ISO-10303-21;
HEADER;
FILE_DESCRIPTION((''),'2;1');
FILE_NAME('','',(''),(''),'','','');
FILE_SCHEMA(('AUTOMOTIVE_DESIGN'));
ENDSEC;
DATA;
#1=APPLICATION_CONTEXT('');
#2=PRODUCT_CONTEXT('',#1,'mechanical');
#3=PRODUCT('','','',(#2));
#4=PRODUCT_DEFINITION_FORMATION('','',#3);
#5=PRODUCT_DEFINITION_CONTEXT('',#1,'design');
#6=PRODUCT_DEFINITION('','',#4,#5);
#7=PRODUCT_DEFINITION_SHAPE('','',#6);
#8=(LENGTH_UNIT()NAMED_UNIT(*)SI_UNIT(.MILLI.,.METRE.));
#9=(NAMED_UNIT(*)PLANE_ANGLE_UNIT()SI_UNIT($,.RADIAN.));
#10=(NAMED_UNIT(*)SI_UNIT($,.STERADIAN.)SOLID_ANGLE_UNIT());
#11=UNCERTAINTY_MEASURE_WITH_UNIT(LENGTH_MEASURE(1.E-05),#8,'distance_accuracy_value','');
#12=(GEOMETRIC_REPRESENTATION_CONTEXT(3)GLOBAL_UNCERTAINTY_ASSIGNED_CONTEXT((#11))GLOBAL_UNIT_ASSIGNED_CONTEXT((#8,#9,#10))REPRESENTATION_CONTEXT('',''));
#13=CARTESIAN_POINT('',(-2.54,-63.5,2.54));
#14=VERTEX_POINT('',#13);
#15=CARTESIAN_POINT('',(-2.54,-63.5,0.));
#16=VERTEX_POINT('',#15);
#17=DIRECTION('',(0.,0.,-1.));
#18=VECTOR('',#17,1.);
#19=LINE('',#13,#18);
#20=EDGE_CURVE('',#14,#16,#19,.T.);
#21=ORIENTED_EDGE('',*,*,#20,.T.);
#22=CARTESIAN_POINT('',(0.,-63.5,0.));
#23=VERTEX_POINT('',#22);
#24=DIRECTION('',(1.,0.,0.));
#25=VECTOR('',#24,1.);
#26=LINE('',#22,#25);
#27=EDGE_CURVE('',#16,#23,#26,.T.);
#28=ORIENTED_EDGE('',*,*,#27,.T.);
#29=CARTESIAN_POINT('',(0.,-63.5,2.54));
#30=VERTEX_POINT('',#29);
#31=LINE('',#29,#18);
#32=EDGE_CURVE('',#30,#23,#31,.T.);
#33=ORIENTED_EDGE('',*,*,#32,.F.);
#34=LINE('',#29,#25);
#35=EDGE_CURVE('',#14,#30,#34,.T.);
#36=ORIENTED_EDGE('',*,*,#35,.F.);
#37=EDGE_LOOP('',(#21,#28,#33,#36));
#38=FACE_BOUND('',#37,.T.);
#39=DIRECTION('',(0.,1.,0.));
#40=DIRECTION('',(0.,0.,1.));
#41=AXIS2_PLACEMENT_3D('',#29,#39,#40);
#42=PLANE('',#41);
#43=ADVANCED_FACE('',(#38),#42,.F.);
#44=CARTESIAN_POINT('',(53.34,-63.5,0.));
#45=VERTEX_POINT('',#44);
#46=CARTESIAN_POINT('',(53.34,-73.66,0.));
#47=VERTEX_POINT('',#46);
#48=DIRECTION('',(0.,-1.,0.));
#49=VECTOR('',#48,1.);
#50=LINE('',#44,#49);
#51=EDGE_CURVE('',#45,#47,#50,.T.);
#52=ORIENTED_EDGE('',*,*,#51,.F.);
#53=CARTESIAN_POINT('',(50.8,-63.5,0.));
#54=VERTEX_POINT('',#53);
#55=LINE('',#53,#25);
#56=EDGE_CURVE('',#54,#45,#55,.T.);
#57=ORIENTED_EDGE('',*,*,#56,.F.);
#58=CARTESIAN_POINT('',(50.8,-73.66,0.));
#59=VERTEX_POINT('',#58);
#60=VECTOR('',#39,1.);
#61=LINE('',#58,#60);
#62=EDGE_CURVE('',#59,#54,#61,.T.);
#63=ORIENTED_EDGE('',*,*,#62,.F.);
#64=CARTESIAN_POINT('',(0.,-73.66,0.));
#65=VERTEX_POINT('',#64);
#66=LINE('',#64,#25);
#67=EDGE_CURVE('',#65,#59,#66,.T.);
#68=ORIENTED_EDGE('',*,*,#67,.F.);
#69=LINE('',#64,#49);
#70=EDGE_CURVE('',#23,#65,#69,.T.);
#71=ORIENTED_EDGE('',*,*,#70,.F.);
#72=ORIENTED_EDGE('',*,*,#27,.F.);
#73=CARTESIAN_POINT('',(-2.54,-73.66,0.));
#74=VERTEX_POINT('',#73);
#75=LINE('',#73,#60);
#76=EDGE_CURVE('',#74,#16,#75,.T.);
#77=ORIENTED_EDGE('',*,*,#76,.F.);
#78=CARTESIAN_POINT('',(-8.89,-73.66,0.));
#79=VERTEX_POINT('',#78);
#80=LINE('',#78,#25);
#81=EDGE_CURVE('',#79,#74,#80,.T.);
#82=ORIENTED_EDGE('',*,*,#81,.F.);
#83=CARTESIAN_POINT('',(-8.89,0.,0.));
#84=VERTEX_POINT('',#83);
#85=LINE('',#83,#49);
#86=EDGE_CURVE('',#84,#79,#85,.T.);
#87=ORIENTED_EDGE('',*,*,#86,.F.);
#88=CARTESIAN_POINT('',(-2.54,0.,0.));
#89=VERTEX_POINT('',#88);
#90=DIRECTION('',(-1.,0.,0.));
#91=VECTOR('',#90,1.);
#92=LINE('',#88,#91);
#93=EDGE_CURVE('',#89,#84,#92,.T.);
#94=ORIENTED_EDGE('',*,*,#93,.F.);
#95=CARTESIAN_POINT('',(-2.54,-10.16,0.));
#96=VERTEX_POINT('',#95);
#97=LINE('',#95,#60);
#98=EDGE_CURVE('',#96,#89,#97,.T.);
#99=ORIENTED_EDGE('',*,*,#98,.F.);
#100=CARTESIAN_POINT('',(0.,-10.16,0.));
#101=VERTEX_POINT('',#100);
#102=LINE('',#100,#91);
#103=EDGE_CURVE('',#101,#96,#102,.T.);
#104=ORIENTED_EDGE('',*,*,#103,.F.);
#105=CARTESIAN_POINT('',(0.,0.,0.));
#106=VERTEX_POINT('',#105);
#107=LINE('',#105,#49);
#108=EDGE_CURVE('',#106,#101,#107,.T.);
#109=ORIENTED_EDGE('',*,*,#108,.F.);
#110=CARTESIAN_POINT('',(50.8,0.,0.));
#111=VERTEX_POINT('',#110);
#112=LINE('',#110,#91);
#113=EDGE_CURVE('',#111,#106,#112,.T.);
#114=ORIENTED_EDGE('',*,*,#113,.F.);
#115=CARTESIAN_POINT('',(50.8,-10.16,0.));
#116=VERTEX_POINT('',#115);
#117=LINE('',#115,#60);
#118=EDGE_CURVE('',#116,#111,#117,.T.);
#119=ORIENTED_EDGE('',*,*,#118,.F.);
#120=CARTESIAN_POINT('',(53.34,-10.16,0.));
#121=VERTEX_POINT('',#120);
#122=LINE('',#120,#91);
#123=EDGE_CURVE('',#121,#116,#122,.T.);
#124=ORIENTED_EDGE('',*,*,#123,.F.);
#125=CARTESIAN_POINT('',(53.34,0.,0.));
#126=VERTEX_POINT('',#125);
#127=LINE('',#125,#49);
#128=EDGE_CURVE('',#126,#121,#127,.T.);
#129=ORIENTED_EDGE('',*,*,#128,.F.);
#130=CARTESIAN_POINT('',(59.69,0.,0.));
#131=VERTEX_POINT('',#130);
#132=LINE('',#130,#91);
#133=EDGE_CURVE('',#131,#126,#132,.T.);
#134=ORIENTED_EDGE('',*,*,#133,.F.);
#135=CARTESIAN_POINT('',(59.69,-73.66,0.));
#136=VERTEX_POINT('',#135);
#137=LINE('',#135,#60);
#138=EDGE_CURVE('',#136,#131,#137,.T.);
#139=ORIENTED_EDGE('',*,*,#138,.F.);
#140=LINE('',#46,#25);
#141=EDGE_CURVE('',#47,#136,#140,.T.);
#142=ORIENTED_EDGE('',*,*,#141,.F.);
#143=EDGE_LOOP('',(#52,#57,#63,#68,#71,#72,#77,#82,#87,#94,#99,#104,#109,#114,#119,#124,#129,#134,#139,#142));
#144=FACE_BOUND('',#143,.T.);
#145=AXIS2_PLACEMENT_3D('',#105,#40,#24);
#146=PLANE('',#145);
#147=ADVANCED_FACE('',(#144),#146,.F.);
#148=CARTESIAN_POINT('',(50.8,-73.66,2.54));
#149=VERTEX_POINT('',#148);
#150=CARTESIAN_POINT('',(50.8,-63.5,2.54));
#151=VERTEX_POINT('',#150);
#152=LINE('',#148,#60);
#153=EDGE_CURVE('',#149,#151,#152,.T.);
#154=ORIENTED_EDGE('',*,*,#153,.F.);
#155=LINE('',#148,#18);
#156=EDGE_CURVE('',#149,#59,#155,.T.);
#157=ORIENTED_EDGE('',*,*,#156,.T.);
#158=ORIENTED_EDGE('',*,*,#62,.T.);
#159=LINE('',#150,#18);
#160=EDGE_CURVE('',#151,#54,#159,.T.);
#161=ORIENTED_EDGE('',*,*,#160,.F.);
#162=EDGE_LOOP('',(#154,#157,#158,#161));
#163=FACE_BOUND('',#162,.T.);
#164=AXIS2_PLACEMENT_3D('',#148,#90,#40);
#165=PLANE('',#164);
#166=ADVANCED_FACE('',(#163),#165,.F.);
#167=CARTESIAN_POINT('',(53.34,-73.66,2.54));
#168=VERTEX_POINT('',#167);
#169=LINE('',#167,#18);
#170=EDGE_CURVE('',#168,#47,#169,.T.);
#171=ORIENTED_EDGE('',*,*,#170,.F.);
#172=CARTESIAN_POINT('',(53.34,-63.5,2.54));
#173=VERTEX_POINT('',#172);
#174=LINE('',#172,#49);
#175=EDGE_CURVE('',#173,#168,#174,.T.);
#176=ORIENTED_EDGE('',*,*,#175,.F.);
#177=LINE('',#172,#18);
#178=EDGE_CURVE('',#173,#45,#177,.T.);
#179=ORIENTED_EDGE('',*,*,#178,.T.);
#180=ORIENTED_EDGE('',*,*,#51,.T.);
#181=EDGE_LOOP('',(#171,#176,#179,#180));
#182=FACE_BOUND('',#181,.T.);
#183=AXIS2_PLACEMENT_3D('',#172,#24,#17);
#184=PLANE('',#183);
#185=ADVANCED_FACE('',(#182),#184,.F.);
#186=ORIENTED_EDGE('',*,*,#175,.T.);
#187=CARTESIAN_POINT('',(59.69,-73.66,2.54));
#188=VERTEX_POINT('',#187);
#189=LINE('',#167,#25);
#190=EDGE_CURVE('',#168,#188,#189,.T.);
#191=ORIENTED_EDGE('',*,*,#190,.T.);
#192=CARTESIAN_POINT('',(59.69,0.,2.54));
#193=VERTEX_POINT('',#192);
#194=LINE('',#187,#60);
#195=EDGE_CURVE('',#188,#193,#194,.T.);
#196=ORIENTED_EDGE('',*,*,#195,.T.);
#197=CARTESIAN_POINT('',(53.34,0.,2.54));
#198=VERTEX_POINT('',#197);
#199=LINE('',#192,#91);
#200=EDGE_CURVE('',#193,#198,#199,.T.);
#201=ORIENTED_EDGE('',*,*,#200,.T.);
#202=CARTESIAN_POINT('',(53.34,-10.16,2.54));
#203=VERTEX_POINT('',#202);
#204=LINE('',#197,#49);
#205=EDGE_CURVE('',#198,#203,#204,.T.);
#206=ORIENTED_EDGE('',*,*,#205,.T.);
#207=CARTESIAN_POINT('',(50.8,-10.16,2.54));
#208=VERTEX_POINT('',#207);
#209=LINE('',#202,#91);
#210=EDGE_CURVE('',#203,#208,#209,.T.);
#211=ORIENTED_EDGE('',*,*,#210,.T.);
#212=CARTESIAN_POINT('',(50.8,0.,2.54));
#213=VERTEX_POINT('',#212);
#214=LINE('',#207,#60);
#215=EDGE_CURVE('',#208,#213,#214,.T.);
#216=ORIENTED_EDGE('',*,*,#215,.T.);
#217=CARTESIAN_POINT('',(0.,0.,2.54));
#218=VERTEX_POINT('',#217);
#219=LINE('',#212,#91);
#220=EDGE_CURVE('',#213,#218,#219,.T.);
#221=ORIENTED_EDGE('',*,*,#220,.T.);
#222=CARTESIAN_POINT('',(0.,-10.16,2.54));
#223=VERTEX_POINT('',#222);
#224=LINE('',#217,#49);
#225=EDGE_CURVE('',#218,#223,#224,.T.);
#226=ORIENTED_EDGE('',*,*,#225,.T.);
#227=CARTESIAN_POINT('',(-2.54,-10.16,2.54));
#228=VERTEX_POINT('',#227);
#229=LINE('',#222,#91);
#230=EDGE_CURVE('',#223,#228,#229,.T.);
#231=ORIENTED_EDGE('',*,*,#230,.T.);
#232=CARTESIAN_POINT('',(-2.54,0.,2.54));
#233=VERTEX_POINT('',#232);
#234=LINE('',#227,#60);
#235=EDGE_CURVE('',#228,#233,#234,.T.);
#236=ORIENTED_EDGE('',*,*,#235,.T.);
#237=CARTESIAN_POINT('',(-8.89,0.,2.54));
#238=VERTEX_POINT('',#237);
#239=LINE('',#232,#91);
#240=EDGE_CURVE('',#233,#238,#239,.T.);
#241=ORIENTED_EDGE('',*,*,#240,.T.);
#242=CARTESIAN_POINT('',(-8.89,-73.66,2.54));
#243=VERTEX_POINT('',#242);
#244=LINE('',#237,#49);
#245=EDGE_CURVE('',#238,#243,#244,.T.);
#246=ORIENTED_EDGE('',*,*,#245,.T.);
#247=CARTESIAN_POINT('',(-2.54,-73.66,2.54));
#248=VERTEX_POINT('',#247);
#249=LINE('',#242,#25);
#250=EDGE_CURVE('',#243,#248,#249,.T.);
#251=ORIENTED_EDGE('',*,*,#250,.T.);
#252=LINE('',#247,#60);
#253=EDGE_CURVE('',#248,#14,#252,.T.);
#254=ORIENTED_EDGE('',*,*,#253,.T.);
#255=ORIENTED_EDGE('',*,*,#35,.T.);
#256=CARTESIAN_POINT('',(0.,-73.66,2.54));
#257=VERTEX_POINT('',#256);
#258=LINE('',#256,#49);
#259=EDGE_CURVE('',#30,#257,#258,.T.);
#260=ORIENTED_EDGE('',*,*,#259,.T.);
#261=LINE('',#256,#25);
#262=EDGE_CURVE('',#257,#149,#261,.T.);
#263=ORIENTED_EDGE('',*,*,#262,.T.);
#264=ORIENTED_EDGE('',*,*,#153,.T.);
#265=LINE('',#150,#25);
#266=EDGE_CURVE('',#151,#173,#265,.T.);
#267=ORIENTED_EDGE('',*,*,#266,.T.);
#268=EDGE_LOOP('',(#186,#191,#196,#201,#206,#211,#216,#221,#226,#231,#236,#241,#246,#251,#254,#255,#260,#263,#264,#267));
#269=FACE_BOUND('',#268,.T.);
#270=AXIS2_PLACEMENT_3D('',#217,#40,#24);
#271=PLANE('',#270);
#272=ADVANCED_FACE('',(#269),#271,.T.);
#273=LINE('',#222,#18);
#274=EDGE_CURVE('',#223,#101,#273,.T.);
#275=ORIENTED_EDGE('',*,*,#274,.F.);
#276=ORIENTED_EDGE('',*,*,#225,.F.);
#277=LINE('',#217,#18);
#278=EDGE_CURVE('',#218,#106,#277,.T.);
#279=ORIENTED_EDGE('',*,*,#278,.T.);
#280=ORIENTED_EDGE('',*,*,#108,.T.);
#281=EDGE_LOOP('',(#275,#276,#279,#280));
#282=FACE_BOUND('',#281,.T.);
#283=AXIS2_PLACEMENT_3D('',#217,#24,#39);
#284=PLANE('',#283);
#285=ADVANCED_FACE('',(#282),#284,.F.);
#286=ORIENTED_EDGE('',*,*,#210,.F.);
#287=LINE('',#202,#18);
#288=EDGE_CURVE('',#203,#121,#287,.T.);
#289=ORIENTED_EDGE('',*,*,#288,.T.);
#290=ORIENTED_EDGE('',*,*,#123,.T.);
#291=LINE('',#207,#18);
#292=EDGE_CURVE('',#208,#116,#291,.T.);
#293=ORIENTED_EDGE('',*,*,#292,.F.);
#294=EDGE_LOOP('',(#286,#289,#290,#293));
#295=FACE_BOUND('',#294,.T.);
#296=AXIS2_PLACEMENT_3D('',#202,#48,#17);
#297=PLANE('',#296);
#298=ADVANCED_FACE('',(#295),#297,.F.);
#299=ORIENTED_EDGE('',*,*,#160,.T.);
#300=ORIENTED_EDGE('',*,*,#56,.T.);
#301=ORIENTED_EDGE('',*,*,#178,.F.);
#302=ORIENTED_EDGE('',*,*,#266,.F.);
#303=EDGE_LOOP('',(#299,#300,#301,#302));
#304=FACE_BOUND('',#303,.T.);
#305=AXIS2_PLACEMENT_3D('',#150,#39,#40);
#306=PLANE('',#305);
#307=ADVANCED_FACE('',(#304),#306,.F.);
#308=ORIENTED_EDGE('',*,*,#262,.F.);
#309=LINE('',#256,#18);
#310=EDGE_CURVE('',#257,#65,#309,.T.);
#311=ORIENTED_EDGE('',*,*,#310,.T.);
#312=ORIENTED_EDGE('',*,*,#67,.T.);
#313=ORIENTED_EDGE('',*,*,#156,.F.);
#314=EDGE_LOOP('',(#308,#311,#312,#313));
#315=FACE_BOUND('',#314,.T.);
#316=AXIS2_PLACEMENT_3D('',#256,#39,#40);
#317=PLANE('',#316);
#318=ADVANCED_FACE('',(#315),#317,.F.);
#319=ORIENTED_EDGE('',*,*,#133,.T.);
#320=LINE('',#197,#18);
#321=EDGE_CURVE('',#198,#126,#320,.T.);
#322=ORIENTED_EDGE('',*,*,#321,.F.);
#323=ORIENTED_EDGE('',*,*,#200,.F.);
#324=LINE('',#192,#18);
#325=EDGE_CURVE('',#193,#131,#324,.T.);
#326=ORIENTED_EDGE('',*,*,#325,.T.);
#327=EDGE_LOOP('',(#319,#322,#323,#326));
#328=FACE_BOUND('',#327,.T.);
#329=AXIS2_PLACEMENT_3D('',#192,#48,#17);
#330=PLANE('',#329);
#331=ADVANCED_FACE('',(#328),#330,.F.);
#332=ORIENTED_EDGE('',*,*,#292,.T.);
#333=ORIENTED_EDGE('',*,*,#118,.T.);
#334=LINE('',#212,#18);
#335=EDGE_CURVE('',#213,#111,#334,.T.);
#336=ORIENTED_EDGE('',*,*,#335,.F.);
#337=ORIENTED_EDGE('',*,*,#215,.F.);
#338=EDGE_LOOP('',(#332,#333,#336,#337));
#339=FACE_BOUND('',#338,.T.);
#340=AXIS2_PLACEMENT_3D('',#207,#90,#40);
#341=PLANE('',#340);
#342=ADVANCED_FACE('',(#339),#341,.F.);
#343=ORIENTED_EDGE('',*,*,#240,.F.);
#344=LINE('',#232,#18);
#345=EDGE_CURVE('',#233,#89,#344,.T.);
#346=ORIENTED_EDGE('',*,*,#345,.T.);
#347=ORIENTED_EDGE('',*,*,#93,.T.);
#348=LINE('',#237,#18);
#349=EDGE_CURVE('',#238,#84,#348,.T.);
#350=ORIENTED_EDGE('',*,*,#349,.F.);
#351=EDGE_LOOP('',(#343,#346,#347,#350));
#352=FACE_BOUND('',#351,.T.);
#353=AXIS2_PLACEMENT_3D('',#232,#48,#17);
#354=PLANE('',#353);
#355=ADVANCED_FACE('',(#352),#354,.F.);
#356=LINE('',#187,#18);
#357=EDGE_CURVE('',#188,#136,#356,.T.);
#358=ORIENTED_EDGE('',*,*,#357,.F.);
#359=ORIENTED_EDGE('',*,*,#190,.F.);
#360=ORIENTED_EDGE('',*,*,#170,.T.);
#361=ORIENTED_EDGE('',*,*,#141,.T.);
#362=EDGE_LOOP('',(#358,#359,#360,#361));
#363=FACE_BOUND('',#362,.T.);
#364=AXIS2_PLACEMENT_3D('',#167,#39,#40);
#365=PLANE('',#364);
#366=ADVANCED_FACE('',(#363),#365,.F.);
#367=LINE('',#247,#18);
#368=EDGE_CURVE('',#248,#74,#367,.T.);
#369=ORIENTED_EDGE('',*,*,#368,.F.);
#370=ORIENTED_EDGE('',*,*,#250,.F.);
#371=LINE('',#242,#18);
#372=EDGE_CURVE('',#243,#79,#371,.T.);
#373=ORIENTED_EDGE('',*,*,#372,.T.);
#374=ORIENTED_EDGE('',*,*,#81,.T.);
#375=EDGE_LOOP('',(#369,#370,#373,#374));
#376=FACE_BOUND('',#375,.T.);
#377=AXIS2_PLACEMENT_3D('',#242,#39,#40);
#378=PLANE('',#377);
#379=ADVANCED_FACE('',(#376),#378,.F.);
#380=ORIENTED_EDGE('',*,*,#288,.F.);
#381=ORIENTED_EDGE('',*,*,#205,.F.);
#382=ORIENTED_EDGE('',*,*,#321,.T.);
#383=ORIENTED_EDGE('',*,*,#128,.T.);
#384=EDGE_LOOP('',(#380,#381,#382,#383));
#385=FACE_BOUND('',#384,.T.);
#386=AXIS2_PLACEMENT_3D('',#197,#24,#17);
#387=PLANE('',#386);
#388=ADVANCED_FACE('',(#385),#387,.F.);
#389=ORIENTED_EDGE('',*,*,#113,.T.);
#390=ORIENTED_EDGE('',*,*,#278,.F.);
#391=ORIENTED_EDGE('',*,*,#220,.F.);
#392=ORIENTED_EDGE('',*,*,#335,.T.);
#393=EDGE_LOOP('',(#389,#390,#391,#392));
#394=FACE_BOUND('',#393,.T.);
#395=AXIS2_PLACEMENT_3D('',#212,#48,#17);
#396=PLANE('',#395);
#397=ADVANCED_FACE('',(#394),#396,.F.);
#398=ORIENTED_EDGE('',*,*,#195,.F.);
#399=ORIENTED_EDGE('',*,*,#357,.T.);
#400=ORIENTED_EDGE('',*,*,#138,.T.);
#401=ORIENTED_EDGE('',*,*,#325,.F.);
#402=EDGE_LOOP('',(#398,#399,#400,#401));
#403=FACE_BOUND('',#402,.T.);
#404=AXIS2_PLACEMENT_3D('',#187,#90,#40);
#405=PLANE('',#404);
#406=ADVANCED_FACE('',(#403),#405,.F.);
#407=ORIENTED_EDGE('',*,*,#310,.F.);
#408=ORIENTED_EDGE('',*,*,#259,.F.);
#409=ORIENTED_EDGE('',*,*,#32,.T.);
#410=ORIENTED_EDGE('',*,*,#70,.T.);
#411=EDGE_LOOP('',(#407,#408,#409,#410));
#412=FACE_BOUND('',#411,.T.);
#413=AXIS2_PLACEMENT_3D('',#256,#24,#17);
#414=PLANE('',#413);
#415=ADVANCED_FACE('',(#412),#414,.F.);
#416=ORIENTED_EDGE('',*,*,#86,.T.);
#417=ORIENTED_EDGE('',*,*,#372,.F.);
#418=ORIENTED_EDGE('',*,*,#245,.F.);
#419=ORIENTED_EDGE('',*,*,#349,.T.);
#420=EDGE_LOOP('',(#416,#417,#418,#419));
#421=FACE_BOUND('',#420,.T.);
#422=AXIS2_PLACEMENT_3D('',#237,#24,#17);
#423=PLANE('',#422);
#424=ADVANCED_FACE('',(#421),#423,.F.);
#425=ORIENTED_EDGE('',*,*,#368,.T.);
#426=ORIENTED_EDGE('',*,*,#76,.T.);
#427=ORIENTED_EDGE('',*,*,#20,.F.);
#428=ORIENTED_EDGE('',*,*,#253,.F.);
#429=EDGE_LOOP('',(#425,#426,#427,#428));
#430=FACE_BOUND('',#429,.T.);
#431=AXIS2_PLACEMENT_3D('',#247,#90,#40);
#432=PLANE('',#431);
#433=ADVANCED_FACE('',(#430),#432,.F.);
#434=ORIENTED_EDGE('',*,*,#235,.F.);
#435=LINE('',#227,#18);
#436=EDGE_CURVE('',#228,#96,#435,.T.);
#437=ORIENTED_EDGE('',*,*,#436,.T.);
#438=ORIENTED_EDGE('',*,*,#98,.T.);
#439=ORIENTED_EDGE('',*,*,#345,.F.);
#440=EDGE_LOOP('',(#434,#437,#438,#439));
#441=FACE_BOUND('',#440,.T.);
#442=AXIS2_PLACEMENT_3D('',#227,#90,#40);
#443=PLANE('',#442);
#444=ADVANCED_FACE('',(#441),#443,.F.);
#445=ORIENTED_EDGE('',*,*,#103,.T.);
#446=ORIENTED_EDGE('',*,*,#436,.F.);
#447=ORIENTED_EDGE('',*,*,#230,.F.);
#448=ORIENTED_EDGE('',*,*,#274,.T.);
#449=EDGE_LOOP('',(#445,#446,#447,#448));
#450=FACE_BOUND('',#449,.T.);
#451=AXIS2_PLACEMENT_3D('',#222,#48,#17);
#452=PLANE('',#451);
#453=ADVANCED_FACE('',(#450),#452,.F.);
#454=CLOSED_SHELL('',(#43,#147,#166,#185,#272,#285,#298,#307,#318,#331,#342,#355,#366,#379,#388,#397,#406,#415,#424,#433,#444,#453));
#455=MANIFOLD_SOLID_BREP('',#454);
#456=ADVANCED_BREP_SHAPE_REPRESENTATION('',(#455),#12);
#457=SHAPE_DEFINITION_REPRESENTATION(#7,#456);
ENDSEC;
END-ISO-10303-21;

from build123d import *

# Parameters (mm, degrees)
BOSS_EXTRUDE1_DEPTH = 2.54


with BuildPart() as part:
    # Sketch1 → Boss-Extrude1 (new body)
    with BuildSketch(Plane.XY):
        Polygon((0, 0), (0, -10.16), (-2.54, -10.16), (-2.54, 0), (-8.89, 0), (-8.89, -73.66), (-2.54, -73.66), (-2.54, -63.5), (0, -63.5), (0, -73.66), (50.8, -73.66), (50.8, -63.5), (53.34, -63.5), (53.34, -73.66), (59.69, -73.66), (59.69, 0), (53.34, 0), (53.34, -10.16), (50.8, -10.16), (50.8, 0), align=None)
    extrude(amount=BOSS_EXTRUDE1_DEPTH)


solid = part.part
